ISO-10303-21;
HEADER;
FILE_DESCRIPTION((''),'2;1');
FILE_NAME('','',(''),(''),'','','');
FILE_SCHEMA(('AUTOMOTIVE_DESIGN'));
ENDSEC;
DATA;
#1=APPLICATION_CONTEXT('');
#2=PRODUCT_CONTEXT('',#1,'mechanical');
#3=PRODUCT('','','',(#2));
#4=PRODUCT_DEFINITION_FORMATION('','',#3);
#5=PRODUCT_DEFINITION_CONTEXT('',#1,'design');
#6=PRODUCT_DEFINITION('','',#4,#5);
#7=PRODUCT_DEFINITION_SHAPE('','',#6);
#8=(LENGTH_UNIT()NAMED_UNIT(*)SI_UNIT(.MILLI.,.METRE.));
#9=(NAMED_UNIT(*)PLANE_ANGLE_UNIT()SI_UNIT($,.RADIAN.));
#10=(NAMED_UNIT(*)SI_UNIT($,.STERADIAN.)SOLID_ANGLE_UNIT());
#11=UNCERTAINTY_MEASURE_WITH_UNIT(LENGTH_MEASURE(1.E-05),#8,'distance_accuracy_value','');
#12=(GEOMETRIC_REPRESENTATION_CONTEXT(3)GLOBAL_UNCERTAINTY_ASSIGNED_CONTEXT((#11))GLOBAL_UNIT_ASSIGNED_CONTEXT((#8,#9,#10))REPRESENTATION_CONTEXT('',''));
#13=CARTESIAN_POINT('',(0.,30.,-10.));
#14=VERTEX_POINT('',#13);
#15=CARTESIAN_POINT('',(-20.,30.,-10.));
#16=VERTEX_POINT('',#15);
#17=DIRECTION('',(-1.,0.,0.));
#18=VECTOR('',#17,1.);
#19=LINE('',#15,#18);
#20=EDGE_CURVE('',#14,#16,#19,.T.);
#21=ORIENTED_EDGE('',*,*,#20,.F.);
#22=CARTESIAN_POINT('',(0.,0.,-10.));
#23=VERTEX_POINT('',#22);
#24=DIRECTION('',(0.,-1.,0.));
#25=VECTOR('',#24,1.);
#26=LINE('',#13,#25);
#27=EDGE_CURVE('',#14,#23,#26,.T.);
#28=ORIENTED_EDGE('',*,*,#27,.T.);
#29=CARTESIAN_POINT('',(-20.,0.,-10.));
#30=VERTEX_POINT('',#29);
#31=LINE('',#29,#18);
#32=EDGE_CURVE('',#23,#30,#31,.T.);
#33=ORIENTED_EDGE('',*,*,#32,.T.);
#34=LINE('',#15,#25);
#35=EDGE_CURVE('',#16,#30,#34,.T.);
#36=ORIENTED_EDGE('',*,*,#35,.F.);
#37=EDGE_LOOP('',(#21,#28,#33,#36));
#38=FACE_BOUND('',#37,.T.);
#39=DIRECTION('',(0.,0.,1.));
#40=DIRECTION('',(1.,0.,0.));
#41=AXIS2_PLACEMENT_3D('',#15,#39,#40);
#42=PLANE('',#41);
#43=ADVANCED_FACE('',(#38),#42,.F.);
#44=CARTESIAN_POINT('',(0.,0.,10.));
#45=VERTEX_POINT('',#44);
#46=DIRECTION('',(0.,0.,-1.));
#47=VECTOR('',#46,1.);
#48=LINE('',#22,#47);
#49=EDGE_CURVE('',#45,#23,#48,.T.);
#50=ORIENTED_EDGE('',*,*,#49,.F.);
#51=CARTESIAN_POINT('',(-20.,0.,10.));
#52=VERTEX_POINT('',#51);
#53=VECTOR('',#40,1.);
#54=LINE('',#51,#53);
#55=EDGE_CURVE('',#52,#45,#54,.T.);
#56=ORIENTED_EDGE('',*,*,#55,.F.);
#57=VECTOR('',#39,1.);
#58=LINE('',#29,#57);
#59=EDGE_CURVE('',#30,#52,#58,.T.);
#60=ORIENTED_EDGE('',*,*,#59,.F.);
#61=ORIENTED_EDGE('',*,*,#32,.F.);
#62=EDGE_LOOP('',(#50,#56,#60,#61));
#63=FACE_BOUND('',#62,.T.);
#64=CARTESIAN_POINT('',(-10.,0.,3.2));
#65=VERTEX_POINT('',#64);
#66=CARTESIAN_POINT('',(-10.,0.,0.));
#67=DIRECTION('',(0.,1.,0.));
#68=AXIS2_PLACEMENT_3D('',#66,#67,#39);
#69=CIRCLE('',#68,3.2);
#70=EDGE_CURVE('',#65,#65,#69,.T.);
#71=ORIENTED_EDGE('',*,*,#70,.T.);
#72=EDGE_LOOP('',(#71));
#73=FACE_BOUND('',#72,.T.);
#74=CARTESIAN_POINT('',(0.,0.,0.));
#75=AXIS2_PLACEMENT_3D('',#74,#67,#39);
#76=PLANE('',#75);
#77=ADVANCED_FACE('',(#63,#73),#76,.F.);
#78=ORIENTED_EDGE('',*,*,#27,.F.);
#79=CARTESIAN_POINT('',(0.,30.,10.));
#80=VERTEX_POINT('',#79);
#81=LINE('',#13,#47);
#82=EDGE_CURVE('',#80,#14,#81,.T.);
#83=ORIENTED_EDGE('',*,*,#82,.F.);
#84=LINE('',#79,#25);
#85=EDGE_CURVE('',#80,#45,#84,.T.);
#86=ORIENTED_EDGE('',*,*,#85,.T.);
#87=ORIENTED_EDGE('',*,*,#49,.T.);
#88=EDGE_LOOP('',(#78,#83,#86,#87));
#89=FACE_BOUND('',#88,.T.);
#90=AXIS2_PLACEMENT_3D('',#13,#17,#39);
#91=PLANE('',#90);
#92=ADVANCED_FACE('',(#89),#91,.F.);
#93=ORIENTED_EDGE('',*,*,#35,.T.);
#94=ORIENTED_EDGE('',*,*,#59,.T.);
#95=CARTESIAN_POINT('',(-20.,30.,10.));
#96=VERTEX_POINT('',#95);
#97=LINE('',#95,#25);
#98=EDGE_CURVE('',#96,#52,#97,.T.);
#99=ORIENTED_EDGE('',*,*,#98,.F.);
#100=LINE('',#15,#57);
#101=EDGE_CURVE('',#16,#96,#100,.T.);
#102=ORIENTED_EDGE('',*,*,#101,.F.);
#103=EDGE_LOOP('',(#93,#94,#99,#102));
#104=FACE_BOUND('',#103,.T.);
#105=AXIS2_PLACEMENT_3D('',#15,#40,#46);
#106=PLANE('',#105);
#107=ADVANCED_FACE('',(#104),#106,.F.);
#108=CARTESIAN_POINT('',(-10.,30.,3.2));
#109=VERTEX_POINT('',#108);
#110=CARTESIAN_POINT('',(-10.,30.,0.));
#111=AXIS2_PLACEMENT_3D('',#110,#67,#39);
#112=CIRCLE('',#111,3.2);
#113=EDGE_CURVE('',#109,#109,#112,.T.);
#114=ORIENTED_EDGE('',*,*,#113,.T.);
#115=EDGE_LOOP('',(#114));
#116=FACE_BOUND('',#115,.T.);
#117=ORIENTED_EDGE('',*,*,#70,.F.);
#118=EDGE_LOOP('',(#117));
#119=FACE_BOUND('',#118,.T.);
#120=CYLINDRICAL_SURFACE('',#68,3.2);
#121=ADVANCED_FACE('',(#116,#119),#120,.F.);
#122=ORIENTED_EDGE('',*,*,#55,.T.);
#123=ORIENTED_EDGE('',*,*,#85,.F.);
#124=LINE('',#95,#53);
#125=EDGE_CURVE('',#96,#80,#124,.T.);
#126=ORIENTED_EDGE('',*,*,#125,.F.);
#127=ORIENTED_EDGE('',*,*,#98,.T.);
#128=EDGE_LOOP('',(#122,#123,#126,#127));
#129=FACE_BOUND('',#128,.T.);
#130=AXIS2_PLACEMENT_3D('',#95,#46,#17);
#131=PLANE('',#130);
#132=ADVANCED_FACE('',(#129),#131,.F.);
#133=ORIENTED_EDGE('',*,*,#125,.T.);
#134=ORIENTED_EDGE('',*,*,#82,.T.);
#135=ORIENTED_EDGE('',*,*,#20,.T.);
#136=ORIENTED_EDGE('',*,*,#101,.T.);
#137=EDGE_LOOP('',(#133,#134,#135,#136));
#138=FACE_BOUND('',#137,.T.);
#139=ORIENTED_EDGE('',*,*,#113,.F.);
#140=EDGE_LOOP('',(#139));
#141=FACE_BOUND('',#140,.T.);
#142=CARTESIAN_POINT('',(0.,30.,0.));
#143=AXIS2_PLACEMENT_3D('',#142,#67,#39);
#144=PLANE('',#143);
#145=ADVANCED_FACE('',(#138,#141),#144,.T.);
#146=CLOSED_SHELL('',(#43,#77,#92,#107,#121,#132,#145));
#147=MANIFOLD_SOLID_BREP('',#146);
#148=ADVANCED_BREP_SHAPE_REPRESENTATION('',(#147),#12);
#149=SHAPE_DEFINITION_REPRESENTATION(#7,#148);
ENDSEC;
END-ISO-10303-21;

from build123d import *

# Parameters (mm, degrees)
SKETCH1_W           = 20
SKETCH1_H           = 20
BOSS_EXTRUDE1_DEPTH = 30
SKETCH2_R           = 3.2
CUT_EXTRUDE1_DEPTH  = 38.416573868


with BuildPart() as part:
    # Sketch1 → Boss-Extrude1 (new body)
    with BuildSketch(Plane(origin=(0, 0, 0), x_dir=(1, 0, 0), z_dir=(0, 1, 0))):
        with Locations((-10, 0)):
            Rectangle(SKETCH1_W, SKETCH1_H)
    extrude(amount=BOSS_EXTRUDE1_DEPTH)

    # Sketch2 → Cut-Extrude1 (cut, through all)
    with BuildSketch(Plane(origin=(0, 30, 0), x_dir=(1, 0, 0), z_dir=(0, 1, 0))):
        with Locations(Location((-10, 0, 0), (0, 0, 270))):
            Circle(SKETCH2_R)
    extrude(amount=-CUT_EXTRUDE1_DEPTH, mode=Mode.SUBTRACT)


solid = part.part
